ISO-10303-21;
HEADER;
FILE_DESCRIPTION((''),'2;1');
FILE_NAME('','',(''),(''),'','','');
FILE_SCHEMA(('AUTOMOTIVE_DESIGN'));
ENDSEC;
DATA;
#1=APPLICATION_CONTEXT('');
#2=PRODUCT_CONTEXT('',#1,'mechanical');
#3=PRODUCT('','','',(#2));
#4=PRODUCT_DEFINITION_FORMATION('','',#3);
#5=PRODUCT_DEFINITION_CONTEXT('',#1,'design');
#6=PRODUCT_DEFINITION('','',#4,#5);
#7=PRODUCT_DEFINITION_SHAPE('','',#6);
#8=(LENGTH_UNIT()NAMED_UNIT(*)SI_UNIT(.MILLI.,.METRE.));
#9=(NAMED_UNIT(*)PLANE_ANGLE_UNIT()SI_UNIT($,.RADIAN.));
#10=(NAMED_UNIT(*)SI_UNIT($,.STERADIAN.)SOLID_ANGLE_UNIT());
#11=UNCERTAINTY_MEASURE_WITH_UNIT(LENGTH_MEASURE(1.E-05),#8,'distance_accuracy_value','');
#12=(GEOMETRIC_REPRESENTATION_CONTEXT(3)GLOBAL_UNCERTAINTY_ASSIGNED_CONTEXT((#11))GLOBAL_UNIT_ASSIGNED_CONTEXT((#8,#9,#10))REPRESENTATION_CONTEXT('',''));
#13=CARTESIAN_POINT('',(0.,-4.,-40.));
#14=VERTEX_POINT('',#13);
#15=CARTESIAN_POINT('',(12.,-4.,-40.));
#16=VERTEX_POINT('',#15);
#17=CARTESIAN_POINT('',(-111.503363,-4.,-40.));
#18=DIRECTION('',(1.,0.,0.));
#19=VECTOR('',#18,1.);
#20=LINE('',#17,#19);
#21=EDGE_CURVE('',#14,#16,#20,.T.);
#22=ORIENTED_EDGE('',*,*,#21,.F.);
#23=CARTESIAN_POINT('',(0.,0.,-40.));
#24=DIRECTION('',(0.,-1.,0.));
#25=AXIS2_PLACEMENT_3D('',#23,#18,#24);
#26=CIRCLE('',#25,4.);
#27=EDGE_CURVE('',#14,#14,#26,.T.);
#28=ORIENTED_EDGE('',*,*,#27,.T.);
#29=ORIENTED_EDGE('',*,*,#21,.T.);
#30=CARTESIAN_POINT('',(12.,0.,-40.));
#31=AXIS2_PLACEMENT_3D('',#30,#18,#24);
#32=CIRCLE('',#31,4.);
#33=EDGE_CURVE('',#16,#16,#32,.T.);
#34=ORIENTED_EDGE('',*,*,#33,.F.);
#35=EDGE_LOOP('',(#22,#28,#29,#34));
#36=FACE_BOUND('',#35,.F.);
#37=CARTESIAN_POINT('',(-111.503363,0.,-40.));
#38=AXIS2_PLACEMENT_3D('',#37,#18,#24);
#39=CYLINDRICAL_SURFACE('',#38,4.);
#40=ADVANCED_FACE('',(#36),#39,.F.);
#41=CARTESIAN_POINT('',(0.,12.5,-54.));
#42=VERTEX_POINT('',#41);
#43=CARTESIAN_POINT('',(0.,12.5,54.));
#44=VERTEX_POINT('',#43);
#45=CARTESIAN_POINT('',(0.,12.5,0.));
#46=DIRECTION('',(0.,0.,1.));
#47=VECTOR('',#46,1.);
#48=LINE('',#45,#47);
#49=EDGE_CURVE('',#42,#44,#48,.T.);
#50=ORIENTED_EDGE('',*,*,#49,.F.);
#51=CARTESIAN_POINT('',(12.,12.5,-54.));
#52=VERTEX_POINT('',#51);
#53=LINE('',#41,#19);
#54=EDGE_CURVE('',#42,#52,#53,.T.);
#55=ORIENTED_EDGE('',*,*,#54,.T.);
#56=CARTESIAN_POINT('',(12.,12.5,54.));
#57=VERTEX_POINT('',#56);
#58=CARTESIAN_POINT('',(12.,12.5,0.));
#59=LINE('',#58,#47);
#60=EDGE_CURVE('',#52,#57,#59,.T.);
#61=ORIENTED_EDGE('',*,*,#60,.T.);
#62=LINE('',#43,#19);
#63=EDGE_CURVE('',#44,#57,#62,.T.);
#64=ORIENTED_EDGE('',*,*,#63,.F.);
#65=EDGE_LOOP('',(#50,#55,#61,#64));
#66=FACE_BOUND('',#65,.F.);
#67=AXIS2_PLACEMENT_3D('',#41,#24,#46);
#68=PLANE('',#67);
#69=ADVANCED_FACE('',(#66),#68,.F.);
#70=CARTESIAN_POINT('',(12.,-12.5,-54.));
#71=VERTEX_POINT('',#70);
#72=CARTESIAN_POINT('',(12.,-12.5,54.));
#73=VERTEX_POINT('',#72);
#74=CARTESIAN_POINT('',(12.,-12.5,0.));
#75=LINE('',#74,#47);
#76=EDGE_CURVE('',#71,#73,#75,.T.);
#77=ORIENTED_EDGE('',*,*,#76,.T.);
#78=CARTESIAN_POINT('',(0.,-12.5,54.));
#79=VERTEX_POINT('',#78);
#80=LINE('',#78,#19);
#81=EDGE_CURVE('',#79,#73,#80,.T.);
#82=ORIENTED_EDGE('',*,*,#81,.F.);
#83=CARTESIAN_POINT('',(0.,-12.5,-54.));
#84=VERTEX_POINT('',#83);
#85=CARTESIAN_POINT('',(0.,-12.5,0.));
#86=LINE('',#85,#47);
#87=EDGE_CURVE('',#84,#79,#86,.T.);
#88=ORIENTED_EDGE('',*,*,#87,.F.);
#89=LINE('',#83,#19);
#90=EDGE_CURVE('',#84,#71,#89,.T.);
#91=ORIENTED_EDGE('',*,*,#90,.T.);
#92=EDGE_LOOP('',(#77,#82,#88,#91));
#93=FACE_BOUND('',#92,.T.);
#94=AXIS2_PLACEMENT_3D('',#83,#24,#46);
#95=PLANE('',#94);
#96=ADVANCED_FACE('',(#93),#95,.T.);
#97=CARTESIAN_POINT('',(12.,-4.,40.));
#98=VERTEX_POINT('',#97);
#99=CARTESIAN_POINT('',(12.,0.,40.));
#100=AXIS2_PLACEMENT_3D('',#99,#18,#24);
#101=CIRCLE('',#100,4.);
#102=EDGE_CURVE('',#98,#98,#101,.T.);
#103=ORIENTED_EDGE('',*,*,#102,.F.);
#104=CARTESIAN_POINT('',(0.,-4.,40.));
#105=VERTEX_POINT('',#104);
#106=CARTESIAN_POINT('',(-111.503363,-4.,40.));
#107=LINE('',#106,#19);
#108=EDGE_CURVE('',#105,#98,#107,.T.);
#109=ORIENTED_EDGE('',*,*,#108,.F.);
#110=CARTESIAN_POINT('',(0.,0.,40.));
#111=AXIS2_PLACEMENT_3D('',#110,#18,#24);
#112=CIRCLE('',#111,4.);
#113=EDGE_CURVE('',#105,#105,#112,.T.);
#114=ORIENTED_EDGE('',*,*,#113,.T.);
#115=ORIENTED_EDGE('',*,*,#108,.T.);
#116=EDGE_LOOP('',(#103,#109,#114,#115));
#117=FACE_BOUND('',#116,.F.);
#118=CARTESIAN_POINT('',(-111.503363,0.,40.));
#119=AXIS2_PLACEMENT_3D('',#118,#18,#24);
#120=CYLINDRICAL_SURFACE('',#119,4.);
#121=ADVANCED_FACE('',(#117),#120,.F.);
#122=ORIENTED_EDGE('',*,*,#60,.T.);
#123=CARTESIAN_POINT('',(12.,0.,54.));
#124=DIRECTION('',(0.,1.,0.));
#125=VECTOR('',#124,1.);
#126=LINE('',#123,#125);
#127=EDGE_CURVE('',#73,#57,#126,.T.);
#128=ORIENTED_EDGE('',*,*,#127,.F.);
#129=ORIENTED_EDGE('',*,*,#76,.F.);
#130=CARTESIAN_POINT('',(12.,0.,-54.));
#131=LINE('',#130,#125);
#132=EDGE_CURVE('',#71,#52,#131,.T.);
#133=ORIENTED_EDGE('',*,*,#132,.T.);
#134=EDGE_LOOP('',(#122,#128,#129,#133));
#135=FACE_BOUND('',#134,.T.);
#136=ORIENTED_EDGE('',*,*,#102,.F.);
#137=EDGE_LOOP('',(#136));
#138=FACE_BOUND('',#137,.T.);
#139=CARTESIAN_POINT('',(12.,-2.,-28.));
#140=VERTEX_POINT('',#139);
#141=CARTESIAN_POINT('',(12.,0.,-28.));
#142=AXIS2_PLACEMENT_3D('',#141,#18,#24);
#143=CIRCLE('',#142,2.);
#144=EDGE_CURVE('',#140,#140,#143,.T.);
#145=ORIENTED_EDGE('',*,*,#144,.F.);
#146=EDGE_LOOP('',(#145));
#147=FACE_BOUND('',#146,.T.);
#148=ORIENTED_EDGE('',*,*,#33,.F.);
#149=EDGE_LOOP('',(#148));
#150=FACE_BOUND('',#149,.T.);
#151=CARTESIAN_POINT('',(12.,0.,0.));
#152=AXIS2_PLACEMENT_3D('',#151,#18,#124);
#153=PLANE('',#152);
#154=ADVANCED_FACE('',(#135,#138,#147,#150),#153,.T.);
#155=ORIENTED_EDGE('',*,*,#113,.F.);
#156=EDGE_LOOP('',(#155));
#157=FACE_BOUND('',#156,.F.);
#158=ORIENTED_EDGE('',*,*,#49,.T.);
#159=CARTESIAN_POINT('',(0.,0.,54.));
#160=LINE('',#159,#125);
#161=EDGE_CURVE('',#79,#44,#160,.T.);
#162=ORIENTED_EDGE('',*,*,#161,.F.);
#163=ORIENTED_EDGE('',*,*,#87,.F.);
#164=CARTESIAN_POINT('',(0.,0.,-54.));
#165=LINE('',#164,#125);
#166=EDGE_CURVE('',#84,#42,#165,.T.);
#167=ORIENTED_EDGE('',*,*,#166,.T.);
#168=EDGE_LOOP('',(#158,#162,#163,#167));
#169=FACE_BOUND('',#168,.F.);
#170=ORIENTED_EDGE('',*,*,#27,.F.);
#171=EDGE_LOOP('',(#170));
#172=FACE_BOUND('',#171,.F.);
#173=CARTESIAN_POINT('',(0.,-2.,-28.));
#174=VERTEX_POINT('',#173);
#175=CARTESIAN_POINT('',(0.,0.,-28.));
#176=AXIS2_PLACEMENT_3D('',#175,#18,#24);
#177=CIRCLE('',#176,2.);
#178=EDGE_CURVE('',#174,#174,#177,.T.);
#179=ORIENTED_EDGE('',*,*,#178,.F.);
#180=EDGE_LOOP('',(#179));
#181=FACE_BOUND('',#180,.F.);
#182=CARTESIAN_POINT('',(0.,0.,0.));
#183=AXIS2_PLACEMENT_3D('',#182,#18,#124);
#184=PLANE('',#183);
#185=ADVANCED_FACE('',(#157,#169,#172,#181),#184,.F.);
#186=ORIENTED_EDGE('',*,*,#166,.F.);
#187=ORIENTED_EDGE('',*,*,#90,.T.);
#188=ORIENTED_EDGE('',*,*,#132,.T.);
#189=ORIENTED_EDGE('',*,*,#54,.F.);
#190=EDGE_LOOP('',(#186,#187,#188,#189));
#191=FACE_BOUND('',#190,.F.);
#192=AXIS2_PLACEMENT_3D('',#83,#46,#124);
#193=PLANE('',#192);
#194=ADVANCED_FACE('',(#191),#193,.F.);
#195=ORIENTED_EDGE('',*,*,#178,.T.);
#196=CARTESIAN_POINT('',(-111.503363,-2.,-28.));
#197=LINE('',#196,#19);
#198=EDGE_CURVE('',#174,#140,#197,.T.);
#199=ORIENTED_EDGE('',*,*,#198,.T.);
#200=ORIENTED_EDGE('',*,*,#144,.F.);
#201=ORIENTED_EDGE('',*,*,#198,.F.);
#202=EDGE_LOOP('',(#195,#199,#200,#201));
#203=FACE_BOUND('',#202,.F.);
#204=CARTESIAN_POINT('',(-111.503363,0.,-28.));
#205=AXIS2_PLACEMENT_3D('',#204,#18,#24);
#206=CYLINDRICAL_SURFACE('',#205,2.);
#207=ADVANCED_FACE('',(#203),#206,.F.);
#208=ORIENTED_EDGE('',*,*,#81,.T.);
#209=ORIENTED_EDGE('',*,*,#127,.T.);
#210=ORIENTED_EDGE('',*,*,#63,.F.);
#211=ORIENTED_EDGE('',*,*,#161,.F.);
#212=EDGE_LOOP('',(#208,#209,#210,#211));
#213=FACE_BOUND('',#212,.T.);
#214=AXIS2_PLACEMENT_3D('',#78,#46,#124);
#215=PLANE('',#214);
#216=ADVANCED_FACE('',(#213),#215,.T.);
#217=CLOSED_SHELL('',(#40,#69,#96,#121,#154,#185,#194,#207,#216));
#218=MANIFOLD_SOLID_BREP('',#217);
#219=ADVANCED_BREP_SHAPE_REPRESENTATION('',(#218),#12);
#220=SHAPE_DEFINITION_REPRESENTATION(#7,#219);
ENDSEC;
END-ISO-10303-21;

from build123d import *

# Parameters (mm, degrees)
F0_W     = 25
F0_H     = 108
F1_DEPTH = 12
F2_D     = 8
F3_D     = 4


with BuildPart() as f1:
    # F0 (on Right) → F1 (new body)
    with BuildSketch(Plane.YZ):
        Rectangle(F0_W, F0_H)
    extrude(amount=F1_DEPTH)

    # F2 (through all)
    with Locations(Plane(origin=(0, 0, 0), x_dir=(0, 1, 0), z_dir=(-1, 0, 0))):
        with Locations((0, -40), (0, 40)):
            Hole(F2_D / 2)

    # F3 (through all)
    with Locations(Plane(origin=(0, 0, 0), x_dir=(0, 1, 0), z_dir=(-1, 0, 0))):
        with Locations((0, 28)):
            Hole(F3_D / 2)


solid = f1.part
